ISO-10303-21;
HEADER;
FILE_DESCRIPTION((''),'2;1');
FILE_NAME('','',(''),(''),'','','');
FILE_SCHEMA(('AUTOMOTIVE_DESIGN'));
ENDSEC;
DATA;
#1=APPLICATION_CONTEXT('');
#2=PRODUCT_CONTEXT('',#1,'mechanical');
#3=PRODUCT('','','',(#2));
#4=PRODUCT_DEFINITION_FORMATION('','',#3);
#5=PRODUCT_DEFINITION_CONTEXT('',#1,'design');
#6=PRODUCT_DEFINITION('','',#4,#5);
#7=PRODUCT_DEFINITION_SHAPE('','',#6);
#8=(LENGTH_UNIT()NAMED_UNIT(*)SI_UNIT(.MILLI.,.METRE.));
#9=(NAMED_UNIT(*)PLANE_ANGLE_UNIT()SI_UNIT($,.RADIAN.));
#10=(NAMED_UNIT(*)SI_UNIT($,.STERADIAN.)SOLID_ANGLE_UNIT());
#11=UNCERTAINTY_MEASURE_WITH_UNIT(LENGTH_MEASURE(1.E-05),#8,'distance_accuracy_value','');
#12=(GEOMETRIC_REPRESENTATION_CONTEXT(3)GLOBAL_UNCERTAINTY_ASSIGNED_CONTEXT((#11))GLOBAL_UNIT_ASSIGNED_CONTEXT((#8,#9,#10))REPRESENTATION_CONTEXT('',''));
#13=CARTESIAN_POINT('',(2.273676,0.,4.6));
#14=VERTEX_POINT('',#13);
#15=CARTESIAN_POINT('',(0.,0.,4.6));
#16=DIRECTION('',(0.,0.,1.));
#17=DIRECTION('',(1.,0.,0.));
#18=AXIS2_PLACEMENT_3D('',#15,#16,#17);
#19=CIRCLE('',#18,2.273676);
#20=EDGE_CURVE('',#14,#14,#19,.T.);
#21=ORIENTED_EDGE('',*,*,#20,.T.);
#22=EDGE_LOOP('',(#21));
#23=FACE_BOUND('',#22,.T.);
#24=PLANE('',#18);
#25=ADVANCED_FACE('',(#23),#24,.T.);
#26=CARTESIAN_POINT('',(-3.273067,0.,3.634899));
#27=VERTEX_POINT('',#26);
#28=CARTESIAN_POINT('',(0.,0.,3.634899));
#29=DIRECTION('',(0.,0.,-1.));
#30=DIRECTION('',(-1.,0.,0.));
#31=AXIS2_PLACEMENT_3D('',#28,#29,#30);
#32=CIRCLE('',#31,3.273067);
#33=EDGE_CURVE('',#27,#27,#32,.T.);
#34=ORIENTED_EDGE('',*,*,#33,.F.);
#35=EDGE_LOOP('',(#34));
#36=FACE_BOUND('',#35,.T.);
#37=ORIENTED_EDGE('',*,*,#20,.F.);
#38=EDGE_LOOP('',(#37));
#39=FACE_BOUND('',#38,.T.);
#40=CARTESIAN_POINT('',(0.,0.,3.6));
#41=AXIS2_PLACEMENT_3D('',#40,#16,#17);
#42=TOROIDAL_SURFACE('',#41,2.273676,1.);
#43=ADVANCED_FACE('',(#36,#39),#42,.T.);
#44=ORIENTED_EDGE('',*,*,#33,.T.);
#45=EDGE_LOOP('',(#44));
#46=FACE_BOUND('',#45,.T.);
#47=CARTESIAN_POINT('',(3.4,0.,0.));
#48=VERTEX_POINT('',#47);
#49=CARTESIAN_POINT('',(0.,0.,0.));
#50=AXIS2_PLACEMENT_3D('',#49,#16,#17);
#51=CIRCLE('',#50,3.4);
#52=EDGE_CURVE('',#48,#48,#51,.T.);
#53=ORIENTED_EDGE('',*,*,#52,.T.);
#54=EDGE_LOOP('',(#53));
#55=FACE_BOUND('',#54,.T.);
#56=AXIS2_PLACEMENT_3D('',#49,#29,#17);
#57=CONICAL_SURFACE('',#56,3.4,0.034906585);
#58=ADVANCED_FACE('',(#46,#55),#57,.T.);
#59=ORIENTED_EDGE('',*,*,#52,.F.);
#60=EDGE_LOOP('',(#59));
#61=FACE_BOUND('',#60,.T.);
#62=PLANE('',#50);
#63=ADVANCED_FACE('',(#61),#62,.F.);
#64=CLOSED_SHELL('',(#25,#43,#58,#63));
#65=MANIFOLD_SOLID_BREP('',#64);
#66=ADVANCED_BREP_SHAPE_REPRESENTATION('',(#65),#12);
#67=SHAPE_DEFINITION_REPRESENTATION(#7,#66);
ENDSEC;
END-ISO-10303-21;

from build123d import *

# Parameters (mm, degrees)
SKETCH_1_R      = 3.4
EXTRUDE_1_DEPTH = 4.6
EXTRUDE_1_TAPER = 2
FILLET_1_R      = 1


with BuildPart() as part:
    # 草图1 → 凸台-拉伸1 (new body)
    with BuildSketch(Plane.XY):
        Circle(SKETCH_1_R)
    extrude(amount=EXTRUDE_1_DEPTH, taper=EXTRUDE_1_TAPER)

    # 圆角1
    fillet_1_edges = [part.edges().sort_by_distance(p)[0] for p in [
        (-3.23936446, 0, 4.6),
    ]]
    fillet(fillet_1_edges, radius=FILLET_1_R)


solid = part.part
